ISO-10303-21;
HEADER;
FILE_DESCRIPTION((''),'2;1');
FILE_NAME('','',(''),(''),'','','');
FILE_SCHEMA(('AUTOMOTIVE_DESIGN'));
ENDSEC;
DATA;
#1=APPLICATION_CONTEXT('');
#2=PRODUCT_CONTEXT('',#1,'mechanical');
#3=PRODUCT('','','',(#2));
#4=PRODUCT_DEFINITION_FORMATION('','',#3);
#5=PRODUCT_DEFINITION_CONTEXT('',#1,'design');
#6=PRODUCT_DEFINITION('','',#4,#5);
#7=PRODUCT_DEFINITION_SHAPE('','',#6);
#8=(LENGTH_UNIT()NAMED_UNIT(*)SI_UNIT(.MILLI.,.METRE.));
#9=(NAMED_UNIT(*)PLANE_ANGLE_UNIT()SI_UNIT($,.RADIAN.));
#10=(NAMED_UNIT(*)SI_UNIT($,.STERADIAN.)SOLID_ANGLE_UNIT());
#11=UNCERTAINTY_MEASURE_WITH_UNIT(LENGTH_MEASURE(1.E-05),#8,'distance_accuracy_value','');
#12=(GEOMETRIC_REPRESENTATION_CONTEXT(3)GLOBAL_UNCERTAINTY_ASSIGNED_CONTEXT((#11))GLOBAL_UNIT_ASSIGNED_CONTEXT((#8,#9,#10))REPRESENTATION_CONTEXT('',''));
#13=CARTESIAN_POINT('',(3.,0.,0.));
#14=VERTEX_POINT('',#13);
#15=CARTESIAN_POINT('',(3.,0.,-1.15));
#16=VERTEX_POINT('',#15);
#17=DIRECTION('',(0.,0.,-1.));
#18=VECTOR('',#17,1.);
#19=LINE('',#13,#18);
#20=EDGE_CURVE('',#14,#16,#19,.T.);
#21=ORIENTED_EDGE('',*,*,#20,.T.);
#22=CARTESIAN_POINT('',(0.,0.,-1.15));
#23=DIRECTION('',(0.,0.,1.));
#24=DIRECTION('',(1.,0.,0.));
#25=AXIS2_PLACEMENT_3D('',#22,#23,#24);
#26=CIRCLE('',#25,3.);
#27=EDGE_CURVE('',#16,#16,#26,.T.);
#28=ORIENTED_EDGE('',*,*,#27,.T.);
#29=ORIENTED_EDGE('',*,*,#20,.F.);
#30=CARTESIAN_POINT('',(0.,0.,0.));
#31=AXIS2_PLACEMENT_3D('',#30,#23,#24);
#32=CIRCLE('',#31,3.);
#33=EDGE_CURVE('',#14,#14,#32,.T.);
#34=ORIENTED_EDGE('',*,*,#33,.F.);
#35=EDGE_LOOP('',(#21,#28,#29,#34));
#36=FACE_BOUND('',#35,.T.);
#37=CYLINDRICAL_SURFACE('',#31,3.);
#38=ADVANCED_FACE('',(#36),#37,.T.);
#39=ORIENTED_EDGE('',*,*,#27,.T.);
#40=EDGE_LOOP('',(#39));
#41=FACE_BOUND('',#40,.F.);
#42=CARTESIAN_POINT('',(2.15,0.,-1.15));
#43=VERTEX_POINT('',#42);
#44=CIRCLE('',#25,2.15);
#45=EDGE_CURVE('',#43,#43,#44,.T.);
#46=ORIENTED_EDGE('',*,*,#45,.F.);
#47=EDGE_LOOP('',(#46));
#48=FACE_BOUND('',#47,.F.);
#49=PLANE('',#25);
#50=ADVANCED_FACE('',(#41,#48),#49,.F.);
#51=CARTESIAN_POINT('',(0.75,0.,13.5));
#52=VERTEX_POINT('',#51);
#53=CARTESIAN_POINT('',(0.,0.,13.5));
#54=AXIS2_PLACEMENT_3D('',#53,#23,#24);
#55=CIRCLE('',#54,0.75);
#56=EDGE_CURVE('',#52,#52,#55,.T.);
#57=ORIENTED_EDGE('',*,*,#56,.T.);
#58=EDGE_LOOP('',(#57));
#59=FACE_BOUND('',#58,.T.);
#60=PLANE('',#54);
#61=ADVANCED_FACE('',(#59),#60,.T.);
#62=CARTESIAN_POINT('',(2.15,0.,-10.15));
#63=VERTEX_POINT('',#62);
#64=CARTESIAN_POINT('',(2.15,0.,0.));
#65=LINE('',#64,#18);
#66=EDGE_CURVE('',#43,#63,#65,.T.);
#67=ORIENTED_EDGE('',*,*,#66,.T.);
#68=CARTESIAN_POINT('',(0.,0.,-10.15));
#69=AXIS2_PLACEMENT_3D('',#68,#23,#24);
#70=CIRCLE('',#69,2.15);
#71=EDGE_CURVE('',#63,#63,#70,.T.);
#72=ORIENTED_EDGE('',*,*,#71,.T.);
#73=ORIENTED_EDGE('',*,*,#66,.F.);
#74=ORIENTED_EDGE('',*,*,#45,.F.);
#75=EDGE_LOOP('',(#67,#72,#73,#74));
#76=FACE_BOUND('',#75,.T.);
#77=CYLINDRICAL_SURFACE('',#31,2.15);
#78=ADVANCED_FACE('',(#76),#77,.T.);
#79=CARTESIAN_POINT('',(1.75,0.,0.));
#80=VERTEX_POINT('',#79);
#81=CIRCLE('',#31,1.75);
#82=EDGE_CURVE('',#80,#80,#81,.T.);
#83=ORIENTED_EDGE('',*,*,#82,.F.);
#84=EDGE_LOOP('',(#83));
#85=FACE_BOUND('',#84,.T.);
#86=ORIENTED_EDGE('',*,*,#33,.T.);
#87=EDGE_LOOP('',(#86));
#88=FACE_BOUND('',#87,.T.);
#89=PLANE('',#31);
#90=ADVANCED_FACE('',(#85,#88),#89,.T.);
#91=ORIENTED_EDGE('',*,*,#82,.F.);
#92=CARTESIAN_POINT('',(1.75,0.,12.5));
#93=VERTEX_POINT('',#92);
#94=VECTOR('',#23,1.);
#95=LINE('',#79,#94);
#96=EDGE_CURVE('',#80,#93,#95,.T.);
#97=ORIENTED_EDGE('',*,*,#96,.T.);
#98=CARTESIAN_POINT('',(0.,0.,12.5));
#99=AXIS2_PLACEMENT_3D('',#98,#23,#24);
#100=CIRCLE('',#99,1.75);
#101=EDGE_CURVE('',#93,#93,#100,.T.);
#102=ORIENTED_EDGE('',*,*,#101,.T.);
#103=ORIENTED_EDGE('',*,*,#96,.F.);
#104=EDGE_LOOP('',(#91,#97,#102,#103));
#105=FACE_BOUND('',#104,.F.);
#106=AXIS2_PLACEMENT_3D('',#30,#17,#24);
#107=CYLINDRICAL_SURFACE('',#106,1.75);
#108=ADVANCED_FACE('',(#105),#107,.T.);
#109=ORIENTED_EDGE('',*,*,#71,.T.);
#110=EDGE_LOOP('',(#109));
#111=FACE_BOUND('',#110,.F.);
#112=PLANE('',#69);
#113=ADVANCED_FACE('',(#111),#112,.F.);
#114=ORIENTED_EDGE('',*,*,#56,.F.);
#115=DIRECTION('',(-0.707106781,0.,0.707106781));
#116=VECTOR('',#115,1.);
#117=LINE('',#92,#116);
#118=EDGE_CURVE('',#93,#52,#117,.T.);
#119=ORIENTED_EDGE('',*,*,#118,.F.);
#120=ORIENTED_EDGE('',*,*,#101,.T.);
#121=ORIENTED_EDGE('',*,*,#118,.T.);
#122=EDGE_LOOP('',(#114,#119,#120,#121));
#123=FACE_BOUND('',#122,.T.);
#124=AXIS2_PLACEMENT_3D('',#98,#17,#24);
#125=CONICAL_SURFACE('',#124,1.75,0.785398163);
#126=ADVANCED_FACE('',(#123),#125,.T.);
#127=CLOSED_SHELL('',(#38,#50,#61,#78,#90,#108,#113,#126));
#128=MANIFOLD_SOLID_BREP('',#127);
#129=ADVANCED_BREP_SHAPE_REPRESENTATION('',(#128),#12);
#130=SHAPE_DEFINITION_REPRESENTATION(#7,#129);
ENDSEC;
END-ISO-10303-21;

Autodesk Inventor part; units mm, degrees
ref_plane "YZ Plane" through (0, 0, 0) normal (1, 0, 0) x (0, 1, 0)
ref_plane "XZ Plane" through (0, 0, 0) normal (0, 1, 0) x (-1, 0, 0)
ref_plane "XY Plane" through (0, 0, 0) normal (0, 0, 1) x (1, 0, 0)
sketch "스케치1" plane through (0, 0, 0) normal (0, 0, 1) x (1, 0, 0)
  circle A0 centre (0, 0) radius 1.75
  circle A1 centre (0, 0) radius 3
  circle A2 centre (0, 0) radius 2.15
  dimension "d0" = 3.5
  dimension "d1" = 6
  dimension "d2" = 4.3
extrude "돌출1" add sketch "스케치1" along normal blind 13.5 contours A0
extrude "돌출2" add sketch "스케치1" against normal blind 1.15 contours A0 | A1 | A2
extrude "돌출3" add sketch "스케치1" against normal blind 10.15 contours A0 | A2
chamfer "모따기1" distance 1 angle 45 1 edges at (-1.75, 0, 13.5)
properties part number "Audio_jac"
